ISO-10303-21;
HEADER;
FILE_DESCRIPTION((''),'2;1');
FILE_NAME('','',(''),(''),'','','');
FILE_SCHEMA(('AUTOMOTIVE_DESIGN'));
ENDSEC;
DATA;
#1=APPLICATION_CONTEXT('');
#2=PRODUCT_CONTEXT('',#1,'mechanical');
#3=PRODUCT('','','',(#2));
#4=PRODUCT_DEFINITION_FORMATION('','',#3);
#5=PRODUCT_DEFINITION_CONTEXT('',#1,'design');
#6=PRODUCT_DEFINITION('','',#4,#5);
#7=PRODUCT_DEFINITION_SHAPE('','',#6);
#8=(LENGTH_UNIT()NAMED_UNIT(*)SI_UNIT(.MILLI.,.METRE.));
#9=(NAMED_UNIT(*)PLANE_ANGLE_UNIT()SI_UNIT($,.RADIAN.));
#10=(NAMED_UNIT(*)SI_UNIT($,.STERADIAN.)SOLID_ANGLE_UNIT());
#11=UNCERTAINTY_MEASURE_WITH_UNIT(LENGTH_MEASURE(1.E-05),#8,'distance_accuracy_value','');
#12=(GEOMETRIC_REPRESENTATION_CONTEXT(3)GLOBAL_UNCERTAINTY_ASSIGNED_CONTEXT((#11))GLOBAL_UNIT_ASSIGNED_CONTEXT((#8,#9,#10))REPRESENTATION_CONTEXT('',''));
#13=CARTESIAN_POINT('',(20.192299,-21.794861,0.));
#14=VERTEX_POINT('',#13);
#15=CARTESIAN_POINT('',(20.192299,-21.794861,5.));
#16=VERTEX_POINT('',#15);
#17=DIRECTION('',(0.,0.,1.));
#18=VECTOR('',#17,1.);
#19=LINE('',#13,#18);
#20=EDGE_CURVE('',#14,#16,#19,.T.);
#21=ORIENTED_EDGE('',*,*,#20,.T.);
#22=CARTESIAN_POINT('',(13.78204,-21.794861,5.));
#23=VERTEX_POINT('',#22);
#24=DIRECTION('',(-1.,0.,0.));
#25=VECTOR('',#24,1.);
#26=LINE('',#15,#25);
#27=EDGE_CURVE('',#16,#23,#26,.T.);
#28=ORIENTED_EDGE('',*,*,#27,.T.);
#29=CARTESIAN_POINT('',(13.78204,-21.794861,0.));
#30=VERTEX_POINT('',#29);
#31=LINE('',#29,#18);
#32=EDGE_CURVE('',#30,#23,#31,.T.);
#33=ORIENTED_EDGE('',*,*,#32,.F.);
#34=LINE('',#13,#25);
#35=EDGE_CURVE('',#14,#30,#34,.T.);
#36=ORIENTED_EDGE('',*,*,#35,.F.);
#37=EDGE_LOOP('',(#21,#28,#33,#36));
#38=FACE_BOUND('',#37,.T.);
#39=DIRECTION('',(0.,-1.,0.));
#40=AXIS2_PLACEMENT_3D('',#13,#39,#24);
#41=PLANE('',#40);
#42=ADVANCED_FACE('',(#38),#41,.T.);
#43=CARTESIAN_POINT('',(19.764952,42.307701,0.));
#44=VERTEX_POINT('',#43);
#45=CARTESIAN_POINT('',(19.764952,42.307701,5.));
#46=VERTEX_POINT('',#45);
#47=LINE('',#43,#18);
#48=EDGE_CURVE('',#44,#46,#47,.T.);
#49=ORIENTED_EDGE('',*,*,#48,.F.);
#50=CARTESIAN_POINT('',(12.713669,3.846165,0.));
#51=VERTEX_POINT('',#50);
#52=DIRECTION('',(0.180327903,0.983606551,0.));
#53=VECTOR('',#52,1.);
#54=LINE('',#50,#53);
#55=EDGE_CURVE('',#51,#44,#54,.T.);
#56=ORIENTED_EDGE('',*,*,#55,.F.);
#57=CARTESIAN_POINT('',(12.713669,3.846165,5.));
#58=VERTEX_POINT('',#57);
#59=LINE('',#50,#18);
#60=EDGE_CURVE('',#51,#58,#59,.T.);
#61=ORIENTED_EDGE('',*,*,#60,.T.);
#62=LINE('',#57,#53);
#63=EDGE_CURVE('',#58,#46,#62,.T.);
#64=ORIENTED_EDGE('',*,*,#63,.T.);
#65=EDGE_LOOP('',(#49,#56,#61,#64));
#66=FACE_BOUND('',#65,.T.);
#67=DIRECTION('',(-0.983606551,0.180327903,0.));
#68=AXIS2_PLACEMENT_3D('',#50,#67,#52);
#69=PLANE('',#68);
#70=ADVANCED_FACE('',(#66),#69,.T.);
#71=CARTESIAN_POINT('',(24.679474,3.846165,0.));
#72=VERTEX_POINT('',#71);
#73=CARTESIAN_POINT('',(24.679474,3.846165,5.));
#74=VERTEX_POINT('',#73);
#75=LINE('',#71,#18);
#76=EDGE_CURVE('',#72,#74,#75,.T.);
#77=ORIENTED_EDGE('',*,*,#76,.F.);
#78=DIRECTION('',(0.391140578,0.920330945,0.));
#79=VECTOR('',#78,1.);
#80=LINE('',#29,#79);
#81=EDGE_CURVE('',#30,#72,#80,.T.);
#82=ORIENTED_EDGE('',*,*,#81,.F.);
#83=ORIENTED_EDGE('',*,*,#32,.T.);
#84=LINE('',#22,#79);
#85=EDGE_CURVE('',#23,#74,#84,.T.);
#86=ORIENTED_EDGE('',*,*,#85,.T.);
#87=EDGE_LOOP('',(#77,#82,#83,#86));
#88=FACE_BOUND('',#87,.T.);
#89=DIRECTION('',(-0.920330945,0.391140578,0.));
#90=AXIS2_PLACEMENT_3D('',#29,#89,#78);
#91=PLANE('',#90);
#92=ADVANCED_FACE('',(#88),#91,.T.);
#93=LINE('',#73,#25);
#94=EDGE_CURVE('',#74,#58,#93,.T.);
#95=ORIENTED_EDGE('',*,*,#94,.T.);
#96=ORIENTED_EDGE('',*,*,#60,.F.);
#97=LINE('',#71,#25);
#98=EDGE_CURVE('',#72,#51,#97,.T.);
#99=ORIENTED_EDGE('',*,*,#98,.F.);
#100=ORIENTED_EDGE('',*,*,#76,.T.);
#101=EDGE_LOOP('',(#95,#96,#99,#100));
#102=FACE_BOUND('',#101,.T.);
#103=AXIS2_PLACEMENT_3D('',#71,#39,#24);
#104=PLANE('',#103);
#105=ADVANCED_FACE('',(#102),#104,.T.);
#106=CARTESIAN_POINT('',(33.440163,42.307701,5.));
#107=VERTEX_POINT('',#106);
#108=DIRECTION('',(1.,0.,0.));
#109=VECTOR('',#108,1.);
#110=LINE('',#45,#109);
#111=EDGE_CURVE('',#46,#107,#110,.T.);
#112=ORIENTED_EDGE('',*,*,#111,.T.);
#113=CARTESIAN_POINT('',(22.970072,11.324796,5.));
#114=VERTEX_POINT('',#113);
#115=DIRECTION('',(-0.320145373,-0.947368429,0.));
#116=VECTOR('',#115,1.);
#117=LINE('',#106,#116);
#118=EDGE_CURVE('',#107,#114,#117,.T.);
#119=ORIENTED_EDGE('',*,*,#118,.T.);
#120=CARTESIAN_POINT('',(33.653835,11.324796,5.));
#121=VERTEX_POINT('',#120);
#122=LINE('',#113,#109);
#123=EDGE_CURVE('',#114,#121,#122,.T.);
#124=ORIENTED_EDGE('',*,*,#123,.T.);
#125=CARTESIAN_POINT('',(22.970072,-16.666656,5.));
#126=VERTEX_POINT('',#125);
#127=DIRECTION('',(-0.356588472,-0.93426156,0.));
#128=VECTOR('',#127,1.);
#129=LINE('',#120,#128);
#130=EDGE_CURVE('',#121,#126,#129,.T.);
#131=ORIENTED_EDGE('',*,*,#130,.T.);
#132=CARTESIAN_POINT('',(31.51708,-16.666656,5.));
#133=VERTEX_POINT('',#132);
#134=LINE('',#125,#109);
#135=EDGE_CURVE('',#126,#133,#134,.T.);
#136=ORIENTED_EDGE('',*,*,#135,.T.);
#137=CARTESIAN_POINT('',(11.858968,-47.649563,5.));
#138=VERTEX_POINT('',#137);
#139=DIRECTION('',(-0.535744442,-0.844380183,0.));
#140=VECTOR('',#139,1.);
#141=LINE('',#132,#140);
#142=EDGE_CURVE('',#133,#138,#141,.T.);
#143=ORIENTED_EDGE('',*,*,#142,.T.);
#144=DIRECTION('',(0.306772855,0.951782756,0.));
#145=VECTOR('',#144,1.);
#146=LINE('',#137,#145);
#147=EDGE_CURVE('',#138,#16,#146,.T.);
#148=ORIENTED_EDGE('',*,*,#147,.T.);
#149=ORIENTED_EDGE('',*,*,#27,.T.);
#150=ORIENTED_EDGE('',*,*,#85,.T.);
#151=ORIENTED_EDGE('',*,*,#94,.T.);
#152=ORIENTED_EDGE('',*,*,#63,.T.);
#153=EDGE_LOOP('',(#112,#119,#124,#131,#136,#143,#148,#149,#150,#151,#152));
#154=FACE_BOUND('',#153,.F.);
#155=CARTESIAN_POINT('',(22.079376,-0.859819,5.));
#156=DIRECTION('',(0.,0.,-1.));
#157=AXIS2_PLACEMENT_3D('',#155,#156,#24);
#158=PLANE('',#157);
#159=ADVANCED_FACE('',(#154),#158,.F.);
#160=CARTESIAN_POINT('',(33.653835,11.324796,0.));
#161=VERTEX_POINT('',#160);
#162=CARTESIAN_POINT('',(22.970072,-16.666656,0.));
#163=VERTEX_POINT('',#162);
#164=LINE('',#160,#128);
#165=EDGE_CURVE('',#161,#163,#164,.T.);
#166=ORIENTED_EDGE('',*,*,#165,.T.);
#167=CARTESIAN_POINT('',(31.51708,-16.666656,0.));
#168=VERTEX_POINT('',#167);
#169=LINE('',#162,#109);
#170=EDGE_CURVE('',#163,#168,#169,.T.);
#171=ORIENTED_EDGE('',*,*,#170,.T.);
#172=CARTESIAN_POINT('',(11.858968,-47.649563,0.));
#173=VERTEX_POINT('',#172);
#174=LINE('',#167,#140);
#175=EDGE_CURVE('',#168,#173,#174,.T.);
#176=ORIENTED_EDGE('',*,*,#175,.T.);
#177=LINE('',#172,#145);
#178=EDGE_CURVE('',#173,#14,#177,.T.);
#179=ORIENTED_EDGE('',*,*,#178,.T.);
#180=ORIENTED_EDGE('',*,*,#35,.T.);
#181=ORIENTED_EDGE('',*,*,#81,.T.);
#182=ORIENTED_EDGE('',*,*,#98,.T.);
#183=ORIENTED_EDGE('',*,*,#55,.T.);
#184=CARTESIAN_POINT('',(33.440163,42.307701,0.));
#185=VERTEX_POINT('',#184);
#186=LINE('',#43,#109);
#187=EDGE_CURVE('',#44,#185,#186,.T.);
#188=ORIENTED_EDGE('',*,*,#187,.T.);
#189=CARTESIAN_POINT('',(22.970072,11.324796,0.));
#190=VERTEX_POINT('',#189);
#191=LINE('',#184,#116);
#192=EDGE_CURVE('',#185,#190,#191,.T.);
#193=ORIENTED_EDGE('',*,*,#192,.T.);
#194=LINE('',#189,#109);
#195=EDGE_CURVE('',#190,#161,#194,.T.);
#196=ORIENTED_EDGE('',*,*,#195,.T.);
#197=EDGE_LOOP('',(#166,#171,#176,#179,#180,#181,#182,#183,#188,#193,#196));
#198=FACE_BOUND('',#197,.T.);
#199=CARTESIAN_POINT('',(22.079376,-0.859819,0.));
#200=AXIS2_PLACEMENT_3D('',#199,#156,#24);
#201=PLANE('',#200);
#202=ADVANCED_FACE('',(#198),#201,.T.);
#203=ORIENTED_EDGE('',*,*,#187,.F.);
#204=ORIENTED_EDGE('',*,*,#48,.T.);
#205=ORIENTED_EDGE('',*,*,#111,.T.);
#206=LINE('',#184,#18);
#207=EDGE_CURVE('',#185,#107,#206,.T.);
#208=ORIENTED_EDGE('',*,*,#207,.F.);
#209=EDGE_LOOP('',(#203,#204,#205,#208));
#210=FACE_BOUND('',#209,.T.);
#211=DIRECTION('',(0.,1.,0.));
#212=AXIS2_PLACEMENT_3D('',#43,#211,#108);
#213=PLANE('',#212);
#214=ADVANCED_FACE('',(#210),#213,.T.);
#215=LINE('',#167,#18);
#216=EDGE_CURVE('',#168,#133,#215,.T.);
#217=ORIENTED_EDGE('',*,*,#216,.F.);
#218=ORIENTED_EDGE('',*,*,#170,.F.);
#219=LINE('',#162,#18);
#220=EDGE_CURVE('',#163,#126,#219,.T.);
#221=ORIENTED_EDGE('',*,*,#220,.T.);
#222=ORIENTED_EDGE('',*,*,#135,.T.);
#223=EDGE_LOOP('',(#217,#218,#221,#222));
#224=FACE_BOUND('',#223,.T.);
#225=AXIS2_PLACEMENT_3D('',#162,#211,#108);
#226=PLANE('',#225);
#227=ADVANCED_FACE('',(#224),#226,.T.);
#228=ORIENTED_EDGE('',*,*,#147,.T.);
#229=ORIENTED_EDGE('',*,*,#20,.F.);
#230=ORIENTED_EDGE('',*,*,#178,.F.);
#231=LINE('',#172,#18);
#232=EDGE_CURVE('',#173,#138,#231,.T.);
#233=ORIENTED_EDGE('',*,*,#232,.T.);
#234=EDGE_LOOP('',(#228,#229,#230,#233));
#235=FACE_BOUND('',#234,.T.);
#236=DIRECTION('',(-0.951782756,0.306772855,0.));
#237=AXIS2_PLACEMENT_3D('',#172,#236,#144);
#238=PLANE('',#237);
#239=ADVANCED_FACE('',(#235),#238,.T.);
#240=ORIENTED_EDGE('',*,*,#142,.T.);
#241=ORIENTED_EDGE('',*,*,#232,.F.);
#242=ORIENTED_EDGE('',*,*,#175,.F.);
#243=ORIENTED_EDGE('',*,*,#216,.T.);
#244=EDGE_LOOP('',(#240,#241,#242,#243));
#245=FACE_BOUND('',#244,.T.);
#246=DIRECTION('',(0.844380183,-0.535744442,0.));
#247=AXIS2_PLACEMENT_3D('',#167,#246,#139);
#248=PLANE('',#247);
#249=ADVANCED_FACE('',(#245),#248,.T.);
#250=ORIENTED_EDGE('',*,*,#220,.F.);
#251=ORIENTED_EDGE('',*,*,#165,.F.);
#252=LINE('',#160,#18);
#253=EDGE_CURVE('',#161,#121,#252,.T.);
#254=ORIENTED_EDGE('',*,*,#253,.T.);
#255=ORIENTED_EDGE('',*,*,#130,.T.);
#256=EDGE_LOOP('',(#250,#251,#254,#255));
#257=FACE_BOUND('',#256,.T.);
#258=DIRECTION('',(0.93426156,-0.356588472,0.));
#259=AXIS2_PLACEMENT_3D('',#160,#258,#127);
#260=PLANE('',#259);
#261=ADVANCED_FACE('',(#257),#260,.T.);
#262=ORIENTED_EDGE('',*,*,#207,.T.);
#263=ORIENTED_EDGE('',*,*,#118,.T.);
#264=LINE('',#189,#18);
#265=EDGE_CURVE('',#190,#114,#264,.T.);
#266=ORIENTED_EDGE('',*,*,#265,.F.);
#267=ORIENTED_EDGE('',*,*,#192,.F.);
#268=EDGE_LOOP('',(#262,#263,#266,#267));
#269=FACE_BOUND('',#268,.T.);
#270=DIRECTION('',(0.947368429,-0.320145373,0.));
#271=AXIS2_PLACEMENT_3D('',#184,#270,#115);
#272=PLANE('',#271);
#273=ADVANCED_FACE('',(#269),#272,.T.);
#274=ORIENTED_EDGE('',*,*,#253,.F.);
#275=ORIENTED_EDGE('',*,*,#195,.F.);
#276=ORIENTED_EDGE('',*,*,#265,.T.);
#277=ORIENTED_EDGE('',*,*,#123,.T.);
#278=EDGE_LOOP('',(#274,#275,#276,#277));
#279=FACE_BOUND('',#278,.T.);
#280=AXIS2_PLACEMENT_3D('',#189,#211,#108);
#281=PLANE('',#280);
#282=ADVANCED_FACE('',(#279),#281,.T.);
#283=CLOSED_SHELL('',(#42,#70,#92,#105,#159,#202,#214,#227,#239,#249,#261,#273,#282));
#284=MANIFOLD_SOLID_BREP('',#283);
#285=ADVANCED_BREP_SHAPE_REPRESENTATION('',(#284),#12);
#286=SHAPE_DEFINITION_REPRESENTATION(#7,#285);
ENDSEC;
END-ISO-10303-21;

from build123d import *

# Parameters (mm, degrees)
PAD_DEPTH = 5


with BuildPart() as part:
    # Sketch → Pad (new body)
    with BuildSketch(Plane.XY):
        Polygon((19.764952, 42.307701), (33.440163, 42.307701), (22.970072, 11.324796), (33.653835, 11.324796), (22.970072, -16.666656), (31.51708, -16.666656), (11.858968, -47.649563), (20.192299, -21.794861), (13.78204, -21.794861), (24.679474, 3.846165), (12.713669, 3.846165), align=None)
    extrude(amount=PAD_DEPTH)


solid = part.part
